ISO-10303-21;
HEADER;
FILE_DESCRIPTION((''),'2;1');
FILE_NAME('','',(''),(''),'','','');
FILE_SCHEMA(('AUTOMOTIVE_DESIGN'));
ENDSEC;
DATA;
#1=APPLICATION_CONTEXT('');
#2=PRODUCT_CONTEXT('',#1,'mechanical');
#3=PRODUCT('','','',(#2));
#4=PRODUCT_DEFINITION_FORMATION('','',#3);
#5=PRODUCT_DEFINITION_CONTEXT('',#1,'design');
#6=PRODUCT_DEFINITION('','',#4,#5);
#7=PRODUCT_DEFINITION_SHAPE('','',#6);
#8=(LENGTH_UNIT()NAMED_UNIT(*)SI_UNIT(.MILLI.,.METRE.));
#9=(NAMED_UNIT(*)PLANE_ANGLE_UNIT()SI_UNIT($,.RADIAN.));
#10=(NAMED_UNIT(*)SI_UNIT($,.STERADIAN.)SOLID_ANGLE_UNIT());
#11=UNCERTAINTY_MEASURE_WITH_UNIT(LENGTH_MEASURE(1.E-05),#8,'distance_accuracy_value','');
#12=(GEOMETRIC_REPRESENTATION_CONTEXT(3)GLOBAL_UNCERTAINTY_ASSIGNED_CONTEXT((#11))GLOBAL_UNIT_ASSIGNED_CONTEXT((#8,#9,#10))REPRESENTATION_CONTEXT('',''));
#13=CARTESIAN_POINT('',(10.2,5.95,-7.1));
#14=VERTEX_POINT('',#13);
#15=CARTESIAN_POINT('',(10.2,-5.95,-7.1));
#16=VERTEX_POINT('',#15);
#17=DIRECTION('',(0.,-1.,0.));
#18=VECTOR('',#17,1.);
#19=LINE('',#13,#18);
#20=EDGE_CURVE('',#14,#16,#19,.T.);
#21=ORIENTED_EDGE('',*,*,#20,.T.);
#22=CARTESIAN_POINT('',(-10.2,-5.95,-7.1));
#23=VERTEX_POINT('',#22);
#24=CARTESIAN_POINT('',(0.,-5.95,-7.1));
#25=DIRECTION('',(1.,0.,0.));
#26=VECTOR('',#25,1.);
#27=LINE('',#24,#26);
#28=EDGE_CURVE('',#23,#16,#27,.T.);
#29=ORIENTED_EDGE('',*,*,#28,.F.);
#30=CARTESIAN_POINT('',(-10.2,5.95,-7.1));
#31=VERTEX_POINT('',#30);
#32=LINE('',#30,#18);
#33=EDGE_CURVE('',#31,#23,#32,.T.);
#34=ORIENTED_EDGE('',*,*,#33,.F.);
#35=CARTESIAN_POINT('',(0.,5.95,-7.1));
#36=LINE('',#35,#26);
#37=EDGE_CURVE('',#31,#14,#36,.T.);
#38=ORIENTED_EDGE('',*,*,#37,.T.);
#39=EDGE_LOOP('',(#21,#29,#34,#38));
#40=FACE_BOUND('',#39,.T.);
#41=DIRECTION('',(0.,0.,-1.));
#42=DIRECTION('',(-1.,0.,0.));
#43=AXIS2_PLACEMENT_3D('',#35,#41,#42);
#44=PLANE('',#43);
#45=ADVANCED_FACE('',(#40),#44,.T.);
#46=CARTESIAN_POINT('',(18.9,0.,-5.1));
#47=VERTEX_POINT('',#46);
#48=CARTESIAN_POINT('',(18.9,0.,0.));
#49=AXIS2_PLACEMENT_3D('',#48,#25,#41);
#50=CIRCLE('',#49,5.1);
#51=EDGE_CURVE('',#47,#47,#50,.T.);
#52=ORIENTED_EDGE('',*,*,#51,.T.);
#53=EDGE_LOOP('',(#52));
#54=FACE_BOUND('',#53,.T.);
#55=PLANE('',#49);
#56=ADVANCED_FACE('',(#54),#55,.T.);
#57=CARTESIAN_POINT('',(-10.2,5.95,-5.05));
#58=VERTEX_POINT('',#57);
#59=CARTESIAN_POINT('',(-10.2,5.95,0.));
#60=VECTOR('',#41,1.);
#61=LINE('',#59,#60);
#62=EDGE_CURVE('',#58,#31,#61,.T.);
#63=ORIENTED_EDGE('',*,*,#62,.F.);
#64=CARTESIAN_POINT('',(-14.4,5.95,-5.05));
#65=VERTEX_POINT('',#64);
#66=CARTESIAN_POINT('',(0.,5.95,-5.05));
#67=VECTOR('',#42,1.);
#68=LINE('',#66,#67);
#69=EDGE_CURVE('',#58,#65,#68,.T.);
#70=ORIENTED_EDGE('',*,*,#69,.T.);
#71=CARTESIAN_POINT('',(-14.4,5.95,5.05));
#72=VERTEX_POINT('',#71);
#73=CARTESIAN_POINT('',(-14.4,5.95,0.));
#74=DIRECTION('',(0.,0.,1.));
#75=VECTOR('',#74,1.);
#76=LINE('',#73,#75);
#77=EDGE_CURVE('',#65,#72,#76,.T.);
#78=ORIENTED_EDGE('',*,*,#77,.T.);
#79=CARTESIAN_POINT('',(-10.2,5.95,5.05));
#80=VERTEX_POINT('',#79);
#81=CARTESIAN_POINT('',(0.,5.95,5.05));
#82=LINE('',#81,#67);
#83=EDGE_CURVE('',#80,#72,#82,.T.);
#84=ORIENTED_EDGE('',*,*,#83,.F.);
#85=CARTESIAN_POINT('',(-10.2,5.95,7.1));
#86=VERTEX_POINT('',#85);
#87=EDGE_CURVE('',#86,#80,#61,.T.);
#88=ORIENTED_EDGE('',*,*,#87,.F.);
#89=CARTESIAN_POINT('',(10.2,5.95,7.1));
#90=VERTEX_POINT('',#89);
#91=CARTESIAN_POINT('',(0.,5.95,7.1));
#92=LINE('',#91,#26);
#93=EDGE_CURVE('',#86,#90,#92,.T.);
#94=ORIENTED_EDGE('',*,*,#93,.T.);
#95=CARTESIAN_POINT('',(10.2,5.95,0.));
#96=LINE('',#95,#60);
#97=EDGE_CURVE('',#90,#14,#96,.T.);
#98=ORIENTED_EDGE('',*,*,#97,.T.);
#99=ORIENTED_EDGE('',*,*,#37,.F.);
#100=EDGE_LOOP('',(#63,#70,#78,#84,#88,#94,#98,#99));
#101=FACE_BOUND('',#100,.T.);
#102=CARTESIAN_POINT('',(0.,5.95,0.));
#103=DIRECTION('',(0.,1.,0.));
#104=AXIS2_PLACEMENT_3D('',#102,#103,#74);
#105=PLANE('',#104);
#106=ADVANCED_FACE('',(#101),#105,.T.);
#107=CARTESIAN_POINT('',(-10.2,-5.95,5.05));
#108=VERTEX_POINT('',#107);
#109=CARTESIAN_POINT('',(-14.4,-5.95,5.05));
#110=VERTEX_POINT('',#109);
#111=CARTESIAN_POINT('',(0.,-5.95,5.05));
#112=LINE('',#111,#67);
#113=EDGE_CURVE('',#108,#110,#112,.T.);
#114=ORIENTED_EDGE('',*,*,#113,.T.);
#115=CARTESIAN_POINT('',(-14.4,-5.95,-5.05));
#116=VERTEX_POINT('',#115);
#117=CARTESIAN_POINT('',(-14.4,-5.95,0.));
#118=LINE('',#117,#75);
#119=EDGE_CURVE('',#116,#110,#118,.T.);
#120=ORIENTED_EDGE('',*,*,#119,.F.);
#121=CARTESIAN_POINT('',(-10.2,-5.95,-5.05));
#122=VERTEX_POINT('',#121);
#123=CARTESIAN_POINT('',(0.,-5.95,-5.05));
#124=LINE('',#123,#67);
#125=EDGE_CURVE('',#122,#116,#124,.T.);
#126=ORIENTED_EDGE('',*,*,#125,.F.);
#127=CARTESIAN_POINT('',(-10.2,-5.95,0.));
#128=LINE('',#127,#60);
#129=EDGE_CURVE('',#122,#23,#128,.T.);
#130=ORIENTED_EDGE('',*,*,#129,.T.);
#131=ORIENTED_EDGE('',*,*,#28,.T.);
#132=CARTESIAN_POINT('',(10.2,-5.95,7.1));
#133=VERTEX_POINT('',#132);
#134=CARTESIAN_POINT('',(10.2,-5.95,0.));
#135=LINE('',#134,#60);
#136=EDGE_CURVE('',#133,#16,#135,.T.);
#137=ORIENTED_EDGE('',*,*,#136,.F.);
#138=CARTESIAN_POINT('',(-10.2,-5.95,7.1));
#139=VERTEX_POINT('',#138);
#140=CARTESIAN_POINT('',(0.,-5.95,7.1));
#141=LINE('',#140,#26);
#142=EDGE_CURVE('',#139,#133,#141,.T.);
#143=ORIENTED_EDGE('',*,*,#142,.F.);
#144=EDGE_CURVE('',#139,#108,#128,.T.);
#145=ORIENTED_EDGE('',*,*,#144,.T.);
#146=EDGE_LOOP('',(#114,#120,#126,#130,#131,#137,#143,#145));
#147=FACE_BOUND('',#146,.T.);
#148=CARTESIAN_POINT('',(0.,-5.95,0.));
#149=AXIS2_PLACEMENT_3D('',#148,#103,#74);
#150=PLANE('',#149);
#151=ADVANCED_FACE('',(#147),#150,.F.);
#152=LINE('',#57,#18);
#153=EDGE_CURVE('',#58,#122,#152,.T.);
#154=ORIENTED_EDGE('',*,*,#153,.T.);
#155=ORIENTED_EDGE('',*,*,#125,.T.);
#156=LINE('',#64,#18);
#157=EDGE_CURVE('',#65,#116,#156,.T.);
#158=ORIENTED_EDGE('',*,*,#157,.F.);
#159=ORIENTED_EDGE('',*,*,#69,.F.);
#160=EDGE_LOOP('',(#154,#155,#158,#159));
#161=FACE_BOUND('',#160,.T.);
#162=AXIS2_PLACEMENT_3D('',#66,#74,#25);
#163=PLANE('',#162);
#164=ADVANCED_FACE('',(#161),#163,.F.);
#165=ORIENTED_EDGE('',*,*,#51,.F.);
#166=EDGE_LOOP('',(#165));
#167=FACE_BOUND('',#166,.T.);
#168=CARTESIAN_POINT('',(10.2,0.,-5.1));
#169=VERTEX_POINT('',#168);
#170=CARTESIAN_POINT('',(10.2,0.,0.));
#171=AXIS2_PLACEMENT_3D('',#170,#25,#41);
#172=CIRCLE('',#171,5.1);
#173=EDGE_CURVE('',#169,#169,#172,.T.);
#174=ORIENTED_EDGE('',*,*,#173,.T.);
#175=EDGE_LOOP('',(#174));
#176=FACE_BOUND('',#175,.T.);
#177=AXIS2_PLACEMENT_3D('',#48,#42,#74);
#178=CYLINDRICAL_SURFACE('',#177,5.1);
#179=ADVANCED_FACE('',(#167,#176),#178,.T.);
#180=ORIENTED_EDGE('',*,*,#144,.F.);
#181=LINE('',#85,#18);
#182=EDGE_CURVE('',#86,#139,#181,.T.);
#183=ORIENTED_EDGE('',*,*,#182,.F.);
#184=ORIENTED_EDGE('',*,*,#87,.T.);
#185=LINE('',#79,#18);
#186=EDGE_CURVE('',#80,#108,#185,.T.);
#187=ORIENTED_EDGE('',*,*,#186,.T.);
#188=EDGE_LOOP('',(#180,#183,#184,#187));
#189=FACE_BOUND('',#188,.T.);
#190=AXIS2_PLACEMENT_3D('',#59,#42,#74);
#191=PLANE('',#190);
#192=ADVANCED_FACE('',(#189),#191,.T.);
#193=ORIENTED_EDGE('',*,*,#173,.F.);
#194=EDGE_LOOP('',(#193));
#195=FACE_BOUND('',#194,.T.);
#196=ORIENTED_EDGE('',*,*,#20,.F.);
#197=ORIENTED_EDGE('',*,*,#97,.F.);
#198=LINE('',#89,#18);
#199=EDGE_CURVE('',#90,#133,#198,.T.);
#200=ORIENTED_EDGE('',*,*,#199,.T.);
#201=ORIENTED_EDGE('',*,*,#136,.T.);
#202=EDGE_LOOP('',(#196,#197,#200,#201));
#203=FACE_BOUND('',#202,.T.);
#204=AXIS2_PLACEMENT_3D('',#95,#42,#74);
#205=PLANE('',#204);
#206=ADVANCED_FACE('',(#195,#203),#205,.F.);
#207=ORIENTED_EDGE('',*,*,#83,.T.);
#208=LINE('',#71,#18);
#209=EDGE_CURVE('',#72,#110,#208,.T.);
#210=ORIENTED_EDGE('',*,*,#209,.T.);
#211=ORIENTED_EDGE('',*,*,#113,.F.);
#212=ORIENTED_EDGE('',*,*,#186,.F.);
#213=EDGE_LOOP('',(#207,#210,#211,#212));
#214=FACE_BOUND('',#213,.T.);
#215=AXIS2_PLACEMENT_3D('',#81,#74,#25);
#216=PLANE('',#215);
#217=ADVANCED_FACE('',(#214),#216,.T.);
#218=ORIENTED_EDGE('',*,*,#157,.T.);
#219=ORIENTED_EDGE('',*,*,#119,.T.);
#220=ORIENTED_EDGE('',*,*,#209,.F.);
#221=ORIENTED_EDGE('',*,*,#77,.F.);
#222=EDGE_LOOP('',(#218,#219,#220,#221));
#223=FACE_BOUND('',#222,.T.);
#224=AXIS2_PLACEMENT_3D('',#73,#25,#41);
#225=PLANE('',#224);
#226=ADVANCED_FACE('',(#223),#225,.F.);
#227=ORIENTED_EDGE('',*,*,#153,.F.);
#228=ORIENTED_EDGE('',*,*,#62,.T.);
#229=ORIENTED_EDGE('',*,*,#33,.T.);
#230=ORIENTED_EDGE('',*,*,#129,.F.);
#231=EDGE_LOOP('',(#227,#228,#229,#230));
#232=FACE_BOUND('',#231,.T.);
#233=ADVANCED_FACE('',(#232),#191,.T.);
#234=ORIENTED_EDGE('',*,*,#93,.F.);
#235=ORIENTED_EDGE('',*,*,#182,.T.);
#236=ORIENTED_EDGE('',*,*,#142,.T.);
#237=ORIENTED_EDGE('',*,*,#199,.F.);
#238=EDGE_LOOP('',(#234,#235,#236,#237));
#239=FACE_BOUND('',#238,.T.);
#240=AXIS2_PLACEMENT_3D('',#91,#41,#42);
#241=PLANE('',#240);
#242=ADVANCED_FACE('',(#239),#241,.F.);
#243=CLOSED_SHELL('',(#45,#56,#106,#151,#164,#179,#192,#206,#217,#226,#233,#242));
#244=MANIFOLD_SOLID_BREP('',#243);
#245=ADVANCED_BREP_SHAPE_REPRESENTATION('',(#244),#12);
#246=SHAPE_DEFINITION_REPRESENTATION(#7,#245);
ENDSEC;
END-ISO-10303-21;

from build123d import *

# Parameters (mm, degrees)
SKETCH1_W           = 4.2
SKETCH1_H           = 10.1
SKETCH1_W_2         = 20.4
SKETCH1_H_2         = 14.2
BOSS_EXTRUDE1_DEPTH = 5.95
SKETCH2_R           = 5.1
BOSS_EXTRUDE2_DEPTH = 8.7


with BuildPart() as part:
    # Sketch1 → Boss-Extrude1 (new, symmetric)
    with BuildSketch(Plane(origin=(0, 0, 0), x_dir=(1, 0, 0), z_dir=(0, 1, 0))):
        with Locations((-12.3, 0)):
            Rectangle(SKETCH1_W, SKETCH1_H)
        Rectangle(SKETCH1_W_2, SKETCH1_H_2)
    extrude(amount=BOSS_EXTRUDE1_DEPTH, both=True)

    # Sketch2 → Boss-Extrude2 (add)
    with BuildSketch(Plane(origin=(10.2, 0, 0), x_dir=(0, 0, -1), z_dir=(1, 0, 0))):
        Circle(SKETCH2_R)
    extrude(amount=BOSS_EXTRUDE2_DEPTH)


solid = part.part
